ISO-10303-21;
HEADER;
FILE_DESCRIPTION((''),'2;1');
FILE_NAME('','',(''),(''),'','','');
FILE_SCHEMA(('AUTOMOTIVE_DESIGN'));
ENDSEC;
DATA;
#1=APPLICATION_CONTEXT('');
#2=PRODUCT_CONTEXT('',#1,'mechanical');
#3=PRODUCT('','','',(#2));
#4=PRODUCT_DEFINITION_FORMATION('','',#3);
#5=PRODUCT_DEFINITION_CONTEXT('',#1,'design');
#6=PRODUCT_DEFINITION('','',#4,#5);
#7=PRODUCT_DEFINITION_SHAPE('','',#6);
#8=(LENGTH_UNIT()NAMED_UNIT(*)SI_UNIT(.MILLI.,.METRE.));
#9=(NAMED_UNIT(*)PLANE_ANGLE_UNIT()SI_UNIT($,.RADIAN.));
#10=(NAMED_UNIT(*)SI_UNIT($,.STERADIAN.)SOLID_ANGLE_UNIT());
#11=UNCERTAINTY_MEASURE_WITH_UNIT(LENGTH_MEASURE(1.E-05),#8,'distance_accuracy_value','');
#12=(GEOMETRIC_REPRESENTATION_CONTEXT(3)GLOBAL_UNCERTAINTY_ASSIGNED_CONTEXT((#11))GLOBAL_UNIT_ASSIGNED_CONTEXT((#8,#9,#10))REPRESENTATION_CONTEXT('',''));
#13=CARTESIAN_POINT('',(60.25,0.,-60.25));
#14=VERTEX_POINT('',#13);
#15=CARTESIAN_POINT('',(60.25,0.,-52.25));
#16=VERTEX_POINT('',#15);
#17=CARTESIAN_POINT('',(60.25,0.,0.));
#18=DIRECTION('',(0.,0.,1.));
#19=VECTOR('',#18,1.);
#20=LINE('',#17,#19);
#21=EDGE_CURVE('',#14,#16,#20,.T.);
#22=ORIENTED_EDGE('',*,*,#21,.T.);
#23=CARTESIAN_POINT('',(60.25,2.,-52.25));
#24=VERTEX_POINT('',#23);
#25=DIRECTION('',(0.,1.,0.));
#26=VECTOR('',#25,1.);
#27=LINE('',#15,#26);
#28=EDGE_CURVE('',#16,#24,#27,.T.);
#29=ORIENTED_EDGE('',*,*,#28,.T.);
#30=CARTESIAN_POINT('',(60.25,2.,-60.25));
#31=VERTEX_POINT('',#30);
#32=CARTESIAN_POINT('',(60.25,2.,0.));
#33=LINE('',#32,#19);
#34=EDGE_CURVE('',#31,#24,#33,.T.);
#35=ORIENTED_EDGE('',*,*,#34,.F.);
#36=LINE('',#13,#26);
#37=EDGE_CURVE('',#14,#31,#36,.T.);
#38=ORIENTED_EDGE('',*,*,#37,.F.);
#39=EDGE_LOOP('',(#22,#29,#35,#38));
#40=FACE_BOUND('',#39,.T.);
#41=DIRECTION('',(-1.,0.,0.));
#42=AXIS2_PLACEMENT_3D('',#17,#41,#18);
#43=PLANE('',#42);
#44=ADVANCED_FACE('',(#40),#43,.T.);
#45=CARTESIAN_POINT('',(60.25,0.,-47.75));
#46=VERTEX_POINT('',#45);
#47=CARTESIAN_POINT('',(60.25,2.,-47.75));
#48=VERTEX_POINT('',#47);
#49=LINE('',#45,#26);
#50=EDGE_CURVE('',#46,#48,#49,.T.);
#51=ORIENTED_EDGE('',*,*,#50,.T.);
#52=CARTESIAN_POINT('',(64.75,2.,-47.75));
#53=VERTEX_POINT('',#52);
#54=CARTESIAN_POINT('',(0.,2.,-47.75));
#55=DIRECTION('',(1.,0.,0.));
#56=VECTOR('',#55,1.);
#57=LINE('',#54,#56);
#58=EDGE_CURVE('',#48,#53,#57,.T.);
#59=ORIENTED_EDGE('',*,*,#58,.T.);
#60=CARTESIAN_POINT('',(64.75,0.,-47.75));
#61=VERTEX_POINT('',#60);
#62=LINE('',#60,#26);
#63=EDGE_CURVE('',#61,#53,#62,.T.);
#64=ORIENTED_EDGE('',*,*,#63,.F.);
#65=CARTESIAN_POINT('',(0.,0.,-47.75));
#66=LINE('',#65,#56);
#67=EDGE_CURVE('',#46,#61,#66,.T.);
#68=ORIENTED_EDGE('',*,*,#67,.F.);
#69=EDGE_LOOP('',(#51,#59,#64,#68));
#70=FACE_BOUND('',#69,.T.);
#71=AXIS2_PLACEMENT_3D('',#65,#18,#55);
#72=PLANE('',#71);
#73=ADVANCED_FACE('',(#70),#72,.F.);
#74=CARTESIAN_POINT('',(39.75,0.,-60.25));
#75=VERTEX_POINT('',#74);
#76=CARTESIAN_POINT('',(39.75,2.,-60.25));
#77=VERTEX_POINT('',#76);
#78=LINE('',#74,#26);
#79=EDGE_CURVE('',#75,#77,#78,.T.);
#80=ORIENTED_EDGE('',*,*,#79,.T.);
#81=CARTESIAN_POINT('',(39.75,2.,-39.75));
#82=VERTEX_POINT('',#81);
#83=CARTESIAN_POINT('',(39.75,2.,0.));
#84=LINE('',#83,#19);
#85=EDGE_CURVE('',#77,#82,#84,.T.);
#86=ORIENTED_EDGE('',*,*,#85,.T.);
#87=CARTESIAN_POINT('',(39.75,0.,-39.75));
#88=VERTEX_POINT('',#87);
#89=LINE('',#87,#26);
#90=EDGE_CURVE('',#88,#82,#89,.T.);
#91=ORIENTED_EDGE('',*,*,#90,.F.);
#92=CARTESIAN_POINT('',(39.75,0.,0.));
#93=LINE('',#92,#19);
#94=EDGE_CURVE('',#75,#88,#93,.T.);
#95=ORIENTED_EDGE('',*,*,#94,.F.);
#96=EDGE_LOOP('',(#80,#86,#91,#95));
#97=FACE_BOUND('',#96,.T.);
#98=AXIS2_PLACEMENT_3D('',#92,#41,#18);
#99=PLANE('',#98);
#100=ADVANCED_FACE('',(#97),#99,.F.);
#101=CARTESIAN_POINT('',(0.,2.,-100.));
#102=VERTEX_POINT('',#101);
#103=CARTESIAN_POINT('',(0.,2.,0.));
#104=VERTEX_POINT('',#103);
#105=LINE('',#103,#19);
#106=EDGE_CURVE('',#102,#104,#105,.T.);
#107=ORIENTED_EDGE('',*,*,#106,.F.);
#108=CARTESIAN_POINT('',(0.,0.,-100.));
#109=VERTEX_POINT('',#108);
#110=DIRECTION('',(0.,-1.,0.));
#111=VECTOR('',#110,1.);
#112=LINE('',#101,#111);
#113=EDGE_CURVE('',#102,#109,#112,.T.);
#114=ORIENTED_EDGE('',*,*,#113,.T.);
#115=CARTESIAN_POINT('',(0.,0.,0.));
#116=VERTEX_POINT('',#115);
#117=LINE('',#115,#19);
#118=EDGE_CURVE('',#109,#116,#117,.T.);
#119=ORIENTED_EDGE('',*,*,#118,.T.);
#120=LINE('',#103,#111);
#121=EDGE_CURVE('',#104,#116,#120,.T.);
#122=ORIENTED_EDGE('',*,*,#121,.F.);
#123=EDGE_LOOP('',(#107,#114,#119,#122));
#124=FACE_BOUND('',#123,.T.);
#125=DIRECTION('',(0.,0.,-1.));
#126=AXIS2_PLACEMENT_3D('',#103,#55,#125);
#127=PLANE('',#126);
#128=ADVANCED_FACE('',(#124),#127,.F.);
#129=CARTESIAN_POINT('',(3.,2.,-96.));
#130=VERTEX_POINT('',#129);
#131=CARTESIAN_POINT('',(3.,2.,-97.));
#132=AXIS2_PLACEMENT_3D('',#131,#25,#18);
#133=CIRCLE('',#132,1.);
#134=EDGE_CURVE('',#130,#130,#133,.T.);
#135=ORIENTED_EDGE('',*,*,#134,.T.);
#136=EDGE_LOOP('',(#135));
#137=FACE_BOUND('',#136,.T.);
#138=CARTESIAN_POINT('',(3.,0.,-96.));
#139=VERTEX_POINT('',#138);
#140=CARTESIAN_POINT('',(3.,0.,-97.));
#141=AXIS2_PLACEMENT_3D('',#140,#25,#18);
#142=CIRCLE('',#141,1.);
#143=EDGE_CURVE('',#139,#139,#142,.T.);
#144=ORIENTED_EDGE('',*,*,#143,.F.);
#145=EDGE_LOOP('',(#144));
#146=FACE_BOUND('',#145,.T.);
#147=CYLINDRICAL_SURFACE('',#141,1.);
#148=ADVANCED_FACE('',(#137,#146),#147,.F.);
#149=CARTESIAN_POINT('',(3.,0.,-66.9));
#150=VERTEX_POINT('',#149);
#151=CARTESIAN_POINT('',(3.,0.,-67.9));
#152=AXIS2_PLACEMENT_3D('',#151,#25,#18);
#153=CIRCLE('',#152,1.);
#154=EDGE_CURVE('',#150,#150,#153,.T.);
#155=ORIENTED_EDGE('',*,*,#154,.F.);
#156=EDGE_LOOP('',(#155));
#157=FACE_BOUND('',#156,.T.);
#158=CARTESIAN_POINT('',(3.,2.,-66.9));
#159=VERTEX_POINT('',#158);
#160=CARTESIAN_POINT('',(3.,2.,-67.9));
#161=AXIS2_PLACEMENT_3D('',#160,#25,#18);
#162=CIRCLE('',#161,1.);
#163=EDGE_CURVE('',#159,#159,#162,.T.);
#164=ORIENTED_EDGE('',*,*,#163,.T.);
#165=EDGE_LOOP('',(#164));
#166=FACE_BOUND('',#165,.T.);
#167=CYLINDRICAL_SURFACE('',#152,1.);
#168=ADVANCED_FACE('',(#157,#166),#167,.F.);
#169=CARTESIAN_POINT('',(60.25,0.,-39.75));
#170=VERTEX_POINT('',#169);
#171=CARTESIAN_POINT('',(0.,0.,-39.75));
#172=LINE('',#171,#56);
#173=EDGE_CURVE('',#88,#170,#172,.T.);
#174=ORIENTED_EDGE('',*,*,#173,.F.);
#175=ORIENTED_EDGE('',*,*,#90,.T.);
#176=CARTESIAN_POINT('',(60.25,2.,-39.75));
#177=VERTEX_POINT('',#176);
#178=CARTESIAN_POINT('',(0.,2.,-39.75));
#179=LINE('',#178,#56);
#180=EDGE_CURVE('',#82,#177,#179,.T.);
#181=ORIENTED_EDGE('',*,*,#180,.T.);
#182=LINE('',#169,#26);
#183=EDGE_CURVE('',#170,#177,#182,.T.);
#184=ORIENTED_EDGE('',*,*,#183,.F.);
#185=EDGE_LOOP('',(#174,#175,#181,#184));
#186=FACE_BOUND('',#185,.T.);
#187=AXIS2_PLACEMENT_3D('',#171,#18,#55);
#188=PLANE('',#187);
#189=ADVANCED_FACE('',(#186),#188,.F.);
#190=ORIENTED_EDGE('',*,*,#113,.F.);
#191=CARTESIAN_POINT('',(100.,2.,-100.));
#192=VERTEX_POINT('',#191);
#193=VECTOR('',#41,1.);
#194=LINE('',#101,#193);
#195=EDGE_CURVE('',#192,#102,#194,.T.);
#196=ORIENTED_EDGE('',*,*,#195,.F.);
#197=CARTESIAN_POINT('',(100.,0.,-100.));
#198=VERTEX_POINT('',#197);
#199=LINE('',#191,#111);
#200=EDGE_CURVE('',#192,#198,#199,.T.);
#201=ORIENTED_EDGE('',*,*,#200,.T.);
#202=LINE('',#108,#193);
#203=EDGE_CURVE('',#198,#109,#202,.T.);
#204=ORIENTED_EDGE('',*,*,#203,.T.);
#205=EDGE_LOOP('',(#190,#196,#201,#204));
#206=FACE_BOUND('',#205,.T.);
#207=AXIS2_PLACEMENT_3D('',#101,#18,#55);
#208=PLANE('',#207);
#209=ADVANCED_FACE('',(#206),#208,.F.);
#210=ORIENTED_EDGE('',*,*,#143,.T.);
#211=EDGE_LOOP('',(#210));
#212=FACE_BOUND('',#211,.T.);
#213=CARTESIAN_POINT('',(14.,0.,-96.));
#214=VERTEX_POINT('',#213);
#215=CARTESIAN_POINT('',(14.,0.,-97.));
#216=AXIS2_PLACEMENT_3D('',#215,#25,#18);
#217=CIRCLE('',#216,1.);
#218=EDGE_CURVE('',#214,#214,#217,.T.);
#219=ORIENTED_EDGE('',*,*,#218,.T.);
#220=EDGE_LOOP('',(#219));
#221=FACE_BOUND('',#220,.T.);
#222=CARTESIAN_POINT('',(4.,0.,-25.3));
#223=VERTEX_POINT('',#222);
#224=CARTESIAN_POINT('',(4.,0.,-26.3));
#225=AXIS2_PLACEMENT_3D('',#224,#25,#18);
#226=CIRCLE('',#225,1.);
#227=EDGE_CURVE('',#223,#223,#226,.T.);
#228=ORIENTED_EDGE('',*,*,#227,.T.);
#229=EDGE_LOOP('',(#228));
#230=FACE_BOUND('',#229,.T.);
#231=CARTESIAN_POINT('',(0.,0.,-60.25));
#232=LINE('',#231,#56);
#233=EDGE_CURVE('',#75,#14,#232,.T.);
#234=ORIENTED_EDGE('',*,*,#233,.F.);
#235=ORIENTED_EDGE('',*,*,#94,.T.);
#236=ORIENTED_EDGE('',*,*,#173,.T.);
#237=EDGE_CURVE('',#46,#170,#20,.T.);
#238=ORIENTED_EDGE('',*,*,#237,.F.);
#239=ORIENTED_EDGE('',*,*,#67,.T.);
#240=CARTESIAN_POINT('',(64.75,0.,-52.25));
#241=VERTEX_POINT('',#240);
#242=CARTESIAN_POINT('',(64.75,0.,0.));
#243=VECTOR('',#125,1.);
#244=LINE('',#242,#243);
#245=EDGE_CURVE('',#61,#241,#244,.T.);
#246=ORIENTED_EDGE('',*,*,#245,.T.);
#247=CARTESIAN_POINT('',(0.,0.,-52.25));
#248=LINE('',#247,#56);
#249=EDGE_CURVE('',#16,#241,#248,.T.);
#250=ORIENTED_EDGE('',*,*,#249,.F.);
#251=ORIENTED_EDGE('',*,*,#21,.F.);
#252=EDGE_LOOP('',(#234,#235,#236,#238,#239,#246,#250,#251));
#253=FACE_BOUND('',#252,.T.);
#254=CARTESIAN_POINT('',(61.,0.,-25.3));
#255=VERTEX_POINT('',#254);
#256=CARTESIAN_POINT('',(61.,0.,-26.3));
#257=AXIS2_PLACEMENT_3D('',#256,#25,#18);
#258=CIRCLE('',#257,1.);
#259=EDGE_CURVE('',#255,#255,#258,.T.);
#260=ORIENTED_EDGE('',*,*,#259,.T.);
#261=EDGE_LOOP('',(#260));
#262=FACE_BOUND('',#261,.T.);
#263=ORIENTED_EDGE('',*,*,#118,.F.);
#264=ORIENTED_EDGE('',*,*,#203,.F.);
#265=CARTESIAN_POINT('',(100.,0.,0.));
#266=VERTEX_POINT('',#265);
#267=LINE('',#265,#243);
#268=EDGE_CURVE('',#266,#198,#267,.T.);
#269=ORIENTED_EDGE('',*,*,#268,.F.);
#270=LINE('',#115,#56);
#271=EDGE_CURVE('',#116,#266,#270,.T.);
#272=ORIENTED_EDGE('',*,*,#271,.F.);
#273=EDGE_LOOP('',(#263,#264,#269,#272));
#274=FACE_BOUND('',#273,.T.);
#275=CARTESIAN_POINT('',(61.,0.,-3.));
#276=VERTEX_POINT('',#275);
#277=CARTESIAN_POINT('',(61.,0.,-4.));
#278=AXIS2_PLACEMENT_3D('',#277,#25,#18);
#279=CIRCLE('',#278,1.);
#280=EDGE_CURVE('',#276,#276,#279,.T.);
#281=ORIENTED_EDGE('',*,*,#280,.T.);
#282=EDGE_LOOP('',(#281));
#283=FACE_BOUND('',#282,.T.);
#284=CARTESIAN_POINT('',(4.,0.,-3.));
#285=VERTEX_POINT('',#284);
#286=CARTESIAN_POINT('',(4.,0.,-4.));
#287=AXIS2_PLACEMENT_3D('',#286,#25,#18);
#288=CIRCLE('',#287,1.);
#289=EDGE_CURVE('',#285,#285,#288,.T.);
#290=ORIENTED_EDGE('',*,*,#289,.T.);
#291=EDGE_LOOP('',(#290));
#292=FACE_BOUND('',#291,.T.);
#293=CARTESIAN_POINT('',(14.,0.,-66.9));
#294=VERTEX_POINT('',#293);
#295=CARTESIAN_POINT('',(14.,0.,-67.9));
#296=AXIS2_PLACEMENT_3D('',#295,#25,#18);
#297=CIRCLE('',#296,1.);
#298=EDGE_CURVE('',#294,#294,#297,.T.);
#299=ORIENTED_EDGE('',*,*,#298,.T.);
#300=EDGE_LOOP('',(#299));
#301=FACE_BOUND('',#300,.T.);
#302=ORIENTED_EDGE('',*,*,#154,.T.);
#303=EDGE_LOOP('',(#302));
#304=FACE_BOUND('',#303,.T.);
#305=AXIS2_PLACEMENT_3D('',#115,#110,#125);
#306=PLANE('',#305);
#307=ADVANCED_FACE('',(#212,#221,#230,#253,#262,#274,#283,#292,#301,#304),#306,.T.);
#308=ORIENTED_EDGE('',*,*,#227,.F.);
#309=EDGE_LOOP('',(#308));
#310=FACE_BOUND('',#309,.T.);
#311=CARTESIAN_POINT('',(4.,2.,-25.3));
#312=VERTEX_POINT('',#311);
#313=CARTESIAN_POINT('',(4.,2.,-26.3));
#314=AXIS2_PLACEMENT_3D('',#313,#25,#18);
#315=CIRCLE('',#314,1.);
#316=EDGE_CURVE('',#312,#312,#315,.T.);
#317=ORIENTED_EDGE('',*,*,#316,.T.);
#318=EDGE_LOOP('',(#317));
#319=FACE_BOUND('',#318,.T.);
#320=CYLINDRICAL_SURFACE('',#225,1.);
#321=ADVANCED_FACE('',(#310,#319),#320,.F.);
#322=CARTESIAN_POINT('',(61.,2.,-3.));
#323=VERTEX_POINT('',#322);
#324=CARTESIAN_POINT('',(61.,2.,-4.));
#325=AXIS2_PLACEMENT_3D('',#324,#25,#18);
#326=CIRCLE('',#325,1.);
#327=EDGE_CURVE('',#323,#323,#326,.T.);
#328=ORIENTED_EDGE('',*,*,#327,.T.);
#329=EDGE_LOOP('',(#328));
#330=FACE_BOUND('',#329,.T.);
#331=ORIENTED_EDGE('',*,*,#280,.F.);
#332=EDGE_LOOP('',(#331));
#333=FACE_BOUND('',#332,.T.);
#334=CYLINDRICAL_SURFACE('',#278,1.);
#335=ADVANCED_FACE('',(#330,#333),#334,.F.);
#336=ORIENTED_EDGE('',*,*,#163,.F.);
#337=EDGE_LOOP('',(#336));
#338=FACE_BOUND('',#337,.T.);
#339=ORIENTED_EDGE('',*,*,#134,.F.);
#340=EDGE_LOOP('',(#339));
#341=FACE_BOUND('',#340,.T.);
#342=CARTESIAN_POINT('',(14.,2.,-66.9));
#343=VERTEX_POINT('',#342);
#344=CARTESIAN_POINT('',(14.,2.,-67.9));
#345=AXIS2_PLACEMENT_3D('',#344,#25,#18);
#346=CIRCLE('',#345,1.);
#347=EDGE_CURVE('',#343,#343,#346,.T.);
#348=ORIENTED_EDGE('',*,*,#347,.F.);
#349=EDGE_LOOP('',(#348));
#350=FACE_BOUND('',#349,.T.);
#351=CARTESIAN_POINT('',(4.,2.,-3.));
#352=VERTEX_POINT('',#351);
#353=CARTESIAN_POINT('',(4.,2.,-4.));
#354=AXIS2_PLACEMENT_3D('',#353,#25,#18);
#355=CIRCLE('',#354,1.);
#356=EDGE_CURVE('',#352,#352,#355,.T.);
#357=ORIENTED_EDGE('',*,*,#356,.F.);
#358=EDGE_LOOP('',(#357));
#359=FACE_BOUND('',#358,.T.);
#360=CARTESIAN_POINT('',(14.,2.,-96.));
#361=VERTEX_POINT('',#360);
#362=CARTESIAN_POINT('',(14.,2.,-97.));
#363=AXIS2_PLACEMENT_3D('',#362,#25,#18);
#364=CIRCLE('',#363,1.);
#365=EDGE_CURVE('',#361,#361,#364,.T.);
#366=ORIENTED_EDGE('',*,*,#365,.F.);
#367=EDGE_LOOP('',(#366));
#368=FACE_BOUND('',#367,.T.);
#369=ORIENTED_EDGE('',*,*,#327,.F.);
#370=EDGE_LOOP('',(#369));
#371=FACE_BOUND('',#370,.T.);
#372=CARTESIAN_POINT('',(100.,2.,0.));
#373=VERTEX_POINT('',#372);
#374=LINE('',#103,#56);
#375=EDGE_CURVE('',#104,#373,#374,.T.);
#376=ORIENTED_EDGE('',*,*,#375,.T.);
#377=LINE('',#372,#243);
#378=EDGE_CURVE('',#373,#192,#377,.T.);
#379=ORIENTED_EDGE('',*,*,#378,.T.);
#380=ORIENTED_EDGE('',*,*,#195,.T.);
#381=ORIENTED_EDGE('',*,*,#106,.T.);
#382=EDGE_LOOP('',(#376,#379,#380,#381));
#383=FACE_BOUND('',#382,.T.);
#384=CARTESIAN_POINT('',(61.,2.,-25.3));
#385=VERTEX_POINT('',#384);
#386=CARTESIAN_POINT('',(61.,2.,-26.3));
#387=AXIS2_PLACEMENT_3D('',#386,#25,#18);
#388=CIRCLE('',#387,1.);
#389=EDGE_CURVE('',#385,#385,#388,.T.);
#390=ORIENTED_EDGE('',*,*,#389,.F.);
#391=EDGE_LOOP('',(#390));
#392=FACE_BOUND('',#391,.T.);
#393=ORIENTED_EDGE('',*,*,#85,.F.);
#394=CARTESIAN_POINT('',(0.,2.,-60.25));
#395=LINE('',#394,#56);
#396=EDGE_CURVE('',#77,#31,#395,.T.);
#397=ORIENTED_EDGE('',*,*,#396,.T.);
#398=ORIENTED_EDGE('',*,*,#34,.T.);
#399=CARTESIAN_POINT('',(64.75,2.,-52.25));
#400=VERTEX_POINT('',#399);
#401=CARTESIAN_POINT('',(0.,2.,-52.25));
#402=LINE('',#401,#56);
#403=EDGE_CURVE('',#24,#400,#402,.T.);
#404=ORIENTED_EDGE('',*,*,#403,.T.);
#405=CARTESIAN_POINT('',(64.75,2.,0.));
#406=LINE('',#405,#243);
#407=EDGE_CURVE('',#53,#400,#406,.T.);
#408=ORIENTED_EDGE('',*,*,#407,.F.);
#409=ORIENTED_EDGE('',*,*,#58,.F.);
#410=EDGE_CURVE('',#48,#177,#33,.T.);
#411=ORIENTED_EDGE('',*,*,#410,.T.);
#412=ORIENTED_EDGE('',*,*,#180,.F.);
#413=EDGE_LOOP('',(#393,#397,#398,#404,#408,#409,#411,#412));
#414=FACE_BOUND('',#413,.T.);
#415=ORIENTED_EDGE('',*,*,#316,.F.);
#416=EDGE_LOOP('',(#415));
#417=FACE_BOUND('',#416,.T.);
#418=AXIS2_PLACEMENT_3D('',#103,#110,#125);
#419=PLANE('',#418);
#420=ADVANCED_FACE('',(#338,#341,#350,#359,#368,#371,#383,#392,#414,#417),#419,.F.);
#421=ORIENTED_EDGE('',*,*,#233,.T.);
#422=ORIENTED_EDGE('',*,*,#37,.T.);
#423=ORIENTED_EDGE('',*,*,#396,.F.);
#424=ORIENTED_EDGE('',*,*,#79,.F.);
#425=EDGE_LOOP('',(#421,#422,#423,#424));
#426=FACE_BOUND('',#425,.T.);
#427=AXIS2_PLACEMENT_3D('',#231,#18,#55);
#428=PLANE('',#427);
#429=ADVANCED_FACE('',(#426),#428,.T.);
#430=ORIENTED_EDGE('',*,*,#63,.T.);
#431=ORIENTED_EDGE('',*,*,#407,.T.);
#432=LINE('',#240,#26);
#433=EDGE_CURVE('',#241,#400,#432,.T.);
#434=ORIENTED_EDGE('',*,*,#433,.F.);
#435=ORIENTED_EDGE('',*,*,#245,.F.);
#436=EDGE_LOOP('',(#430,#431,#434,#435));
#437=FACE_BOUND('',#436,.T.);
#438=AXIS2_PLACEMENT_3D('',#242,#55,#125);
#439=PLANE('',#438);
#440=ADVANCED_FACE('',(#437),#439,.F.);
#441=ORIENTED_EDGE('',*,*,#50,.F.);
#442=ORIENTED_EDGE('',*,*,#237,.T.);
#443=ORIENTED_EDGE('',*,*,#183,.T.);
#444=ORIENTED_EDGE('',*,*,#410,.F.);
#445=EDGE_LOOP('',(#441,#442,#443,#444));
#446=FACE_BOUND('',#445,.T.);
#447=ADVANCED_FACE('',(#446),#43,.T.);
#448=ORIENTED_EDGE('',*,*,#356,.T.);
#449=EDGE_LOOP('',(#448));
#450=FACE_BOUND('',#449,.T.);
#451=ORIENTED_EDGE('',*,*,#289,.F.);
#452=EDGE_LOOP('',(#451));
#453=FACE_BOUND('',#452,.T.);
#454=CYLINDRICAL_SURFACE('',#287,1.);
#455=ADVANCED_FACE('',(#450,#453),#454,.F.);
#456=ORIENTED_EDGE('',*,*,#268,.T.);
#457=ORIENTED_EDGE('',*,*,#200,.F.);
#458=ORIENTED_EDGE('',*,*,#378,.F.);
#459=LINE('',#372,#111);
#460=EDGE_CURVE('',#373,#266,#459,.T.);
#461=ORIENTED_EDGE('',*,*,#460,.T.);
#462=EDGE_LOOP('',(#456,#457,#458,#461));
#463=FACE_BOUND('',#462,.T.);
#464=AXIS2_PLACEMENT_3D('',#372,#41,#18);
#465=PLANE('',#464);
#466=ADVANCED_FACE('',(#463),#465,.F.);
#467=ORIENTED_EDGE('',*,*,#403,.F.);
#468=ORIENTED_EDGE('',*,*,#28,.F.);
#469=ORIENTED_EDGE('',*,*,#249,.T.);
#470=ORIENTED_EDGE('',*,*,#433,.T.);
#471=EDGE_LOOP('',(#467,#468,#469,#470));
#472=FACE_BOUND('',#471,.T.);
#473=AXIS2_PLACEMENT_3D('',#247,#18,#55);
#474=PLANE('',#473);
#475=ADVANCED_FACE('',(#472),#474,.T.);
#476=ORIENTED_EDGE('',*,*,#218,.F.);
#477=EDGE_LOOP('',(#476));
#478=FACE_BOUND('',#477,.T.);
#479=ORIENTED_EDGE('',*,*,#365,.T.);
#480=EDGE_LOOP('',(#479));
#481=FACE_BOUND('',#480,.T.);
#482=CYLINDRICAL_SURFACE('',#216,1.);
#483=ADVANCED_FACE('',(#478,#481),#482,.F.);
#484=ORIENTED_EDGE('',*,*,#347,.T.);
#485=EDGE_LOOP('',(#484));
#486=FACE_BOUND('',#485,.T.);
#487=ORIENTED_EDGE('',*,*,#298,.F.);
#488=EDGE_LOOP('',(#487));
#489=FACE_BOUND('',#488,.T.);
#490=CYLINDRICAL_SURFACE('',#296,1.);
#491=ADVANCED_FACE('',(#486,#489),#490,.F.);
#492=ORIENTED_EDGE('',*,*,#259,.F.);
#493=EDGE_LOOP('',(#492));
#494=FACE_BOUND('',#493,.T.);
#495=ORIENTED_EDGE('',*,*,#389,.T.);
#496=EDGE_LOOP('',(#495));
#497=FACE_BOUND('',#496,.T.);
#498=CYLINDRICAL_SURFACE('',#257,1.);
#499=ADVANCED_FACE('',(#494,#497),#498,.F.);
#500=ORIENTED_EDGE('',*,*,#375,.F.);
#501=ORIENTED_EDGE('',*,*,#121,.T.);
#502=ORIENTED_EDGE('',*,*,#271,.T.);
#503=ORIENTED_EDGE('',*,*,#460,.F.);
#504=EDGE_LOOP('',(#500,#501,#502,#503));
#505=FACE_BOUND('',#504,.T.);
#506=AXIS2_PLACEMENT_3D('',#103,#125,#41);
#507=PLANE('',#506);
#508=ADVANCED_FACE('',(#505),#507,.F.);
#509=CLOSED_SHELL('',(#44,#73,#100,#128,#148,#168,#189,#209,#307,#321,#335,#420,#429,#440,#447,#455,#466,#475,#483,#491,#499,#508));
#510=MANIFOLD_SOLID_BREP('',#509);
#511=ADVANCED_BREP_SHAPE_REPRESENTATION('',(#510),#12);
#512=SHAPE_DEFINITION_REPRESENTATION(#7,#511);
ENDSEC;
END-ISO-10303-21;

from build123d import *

# Parameters (mm, degrees)
SKETCH1_W                          = 100
SKETCH1_H                          = 100
BOSS_EXTRUDE1_DEPTH                = 2
SKETCH3_W                          = 20.5
SKETCH3_H                          = 20.5
SKETCH3_W_2                        = 4.5
SKETCH3_H_2                        = 4.5
CUT_PEG_HOLE_DEPTH                 = 2
SKETCH4_R                          = 1
CUT_RASPBERRY_PI_SCREW_HOLES_DEPTH = 2
SKETCH5_R                          = 1
CUT_ATHEROS_SCREW_HOLES_DEPTH      = 2


with BuildPart() as part:
    # Sketch1 → Boss-Extrude1 (new body)
    with BuildSketch(Plane(origin=(0, 0, 0), x_dir=(1, 0, 0), z_dir=(0, 1, 0))):
        with Locations((50, 50)):
            Rectangle(SKETCH1_W, SKETCH1_H)
    extrude(amount=BOSS_EXTRUDE1_DEPTH)

    # Sketch3 → Cut - Peg Hole (cut)
    with BuildSketch(Plane(origin=(0, 2, 0), x_dir=(1, 0, 0), z_dir=(0, 1, 0))):
        with Locations((50, 50)):
            Rectangle(SKETCH3_W, SKETCH3_H)
        with Locations((62.5, 50)):
            Rectangle(SKETCH3_W_2, SKETCH3_H_2)
    extrude(amount=-CUT_PEG_HOLE_DEPTH, mode=Mode.SUBTRACT)

    # Sketch4 → Cut - Raspberry Pi Screw Holes (cut)
    with BuildSketch(Plane(origin=(0, 2, 0), x_dir=(1, 0, 0), z_dir=(0, 1, 0))):
        with Locations(Location((4, 26.3, 0), (0, 0, 270))):
            Circle(SKETCH4_R)
        with Locations(Location((4, 4, 0), (0, 0, 270))):
            Circle(SKETCH4_R)
        with Locations(Location((61, 26.3, 0), (0, 0, 270))):
            Circle(SKETCH4_R)
        with Locations(Location((61, 4, 0), (0, 0, 270))):
            Circle(SKETCH4_R)
    extrude(amount=-CUT_RASPBERRY_PI_SCREW_HOLES_DEPTH, mode=Mode.SUBTRACT)

    # Sketch5 → Cut - Atheros Screw Holes (cut)
    with BuildSketch(Plane(origin=(0, 2, 0), x_dir=(1, 0, 0), z_dir=(0, 1, 0))):
        with Locations(Location((3, 67.9, 0), (0, 0, 270))):
            Circle(SKETCH5_R)
        with Locations(Location((14, 67.9, 0), (0, 0, 270))):
            Circle(SKETCH5_R)
        with Locations(Location((14, 97, 0), (0, 0, 270))):
            Circle(SKETCH5_R)
        with Locations(Location((3, 97, 0), (0, 0, 270))):
            Circle(SKETCH5_R)
    extrude(amount=-CUT_ATHEROS_SCREW_HOLES_DEPTH, mode=Mode.SUBTRACT)


solid = part.part
